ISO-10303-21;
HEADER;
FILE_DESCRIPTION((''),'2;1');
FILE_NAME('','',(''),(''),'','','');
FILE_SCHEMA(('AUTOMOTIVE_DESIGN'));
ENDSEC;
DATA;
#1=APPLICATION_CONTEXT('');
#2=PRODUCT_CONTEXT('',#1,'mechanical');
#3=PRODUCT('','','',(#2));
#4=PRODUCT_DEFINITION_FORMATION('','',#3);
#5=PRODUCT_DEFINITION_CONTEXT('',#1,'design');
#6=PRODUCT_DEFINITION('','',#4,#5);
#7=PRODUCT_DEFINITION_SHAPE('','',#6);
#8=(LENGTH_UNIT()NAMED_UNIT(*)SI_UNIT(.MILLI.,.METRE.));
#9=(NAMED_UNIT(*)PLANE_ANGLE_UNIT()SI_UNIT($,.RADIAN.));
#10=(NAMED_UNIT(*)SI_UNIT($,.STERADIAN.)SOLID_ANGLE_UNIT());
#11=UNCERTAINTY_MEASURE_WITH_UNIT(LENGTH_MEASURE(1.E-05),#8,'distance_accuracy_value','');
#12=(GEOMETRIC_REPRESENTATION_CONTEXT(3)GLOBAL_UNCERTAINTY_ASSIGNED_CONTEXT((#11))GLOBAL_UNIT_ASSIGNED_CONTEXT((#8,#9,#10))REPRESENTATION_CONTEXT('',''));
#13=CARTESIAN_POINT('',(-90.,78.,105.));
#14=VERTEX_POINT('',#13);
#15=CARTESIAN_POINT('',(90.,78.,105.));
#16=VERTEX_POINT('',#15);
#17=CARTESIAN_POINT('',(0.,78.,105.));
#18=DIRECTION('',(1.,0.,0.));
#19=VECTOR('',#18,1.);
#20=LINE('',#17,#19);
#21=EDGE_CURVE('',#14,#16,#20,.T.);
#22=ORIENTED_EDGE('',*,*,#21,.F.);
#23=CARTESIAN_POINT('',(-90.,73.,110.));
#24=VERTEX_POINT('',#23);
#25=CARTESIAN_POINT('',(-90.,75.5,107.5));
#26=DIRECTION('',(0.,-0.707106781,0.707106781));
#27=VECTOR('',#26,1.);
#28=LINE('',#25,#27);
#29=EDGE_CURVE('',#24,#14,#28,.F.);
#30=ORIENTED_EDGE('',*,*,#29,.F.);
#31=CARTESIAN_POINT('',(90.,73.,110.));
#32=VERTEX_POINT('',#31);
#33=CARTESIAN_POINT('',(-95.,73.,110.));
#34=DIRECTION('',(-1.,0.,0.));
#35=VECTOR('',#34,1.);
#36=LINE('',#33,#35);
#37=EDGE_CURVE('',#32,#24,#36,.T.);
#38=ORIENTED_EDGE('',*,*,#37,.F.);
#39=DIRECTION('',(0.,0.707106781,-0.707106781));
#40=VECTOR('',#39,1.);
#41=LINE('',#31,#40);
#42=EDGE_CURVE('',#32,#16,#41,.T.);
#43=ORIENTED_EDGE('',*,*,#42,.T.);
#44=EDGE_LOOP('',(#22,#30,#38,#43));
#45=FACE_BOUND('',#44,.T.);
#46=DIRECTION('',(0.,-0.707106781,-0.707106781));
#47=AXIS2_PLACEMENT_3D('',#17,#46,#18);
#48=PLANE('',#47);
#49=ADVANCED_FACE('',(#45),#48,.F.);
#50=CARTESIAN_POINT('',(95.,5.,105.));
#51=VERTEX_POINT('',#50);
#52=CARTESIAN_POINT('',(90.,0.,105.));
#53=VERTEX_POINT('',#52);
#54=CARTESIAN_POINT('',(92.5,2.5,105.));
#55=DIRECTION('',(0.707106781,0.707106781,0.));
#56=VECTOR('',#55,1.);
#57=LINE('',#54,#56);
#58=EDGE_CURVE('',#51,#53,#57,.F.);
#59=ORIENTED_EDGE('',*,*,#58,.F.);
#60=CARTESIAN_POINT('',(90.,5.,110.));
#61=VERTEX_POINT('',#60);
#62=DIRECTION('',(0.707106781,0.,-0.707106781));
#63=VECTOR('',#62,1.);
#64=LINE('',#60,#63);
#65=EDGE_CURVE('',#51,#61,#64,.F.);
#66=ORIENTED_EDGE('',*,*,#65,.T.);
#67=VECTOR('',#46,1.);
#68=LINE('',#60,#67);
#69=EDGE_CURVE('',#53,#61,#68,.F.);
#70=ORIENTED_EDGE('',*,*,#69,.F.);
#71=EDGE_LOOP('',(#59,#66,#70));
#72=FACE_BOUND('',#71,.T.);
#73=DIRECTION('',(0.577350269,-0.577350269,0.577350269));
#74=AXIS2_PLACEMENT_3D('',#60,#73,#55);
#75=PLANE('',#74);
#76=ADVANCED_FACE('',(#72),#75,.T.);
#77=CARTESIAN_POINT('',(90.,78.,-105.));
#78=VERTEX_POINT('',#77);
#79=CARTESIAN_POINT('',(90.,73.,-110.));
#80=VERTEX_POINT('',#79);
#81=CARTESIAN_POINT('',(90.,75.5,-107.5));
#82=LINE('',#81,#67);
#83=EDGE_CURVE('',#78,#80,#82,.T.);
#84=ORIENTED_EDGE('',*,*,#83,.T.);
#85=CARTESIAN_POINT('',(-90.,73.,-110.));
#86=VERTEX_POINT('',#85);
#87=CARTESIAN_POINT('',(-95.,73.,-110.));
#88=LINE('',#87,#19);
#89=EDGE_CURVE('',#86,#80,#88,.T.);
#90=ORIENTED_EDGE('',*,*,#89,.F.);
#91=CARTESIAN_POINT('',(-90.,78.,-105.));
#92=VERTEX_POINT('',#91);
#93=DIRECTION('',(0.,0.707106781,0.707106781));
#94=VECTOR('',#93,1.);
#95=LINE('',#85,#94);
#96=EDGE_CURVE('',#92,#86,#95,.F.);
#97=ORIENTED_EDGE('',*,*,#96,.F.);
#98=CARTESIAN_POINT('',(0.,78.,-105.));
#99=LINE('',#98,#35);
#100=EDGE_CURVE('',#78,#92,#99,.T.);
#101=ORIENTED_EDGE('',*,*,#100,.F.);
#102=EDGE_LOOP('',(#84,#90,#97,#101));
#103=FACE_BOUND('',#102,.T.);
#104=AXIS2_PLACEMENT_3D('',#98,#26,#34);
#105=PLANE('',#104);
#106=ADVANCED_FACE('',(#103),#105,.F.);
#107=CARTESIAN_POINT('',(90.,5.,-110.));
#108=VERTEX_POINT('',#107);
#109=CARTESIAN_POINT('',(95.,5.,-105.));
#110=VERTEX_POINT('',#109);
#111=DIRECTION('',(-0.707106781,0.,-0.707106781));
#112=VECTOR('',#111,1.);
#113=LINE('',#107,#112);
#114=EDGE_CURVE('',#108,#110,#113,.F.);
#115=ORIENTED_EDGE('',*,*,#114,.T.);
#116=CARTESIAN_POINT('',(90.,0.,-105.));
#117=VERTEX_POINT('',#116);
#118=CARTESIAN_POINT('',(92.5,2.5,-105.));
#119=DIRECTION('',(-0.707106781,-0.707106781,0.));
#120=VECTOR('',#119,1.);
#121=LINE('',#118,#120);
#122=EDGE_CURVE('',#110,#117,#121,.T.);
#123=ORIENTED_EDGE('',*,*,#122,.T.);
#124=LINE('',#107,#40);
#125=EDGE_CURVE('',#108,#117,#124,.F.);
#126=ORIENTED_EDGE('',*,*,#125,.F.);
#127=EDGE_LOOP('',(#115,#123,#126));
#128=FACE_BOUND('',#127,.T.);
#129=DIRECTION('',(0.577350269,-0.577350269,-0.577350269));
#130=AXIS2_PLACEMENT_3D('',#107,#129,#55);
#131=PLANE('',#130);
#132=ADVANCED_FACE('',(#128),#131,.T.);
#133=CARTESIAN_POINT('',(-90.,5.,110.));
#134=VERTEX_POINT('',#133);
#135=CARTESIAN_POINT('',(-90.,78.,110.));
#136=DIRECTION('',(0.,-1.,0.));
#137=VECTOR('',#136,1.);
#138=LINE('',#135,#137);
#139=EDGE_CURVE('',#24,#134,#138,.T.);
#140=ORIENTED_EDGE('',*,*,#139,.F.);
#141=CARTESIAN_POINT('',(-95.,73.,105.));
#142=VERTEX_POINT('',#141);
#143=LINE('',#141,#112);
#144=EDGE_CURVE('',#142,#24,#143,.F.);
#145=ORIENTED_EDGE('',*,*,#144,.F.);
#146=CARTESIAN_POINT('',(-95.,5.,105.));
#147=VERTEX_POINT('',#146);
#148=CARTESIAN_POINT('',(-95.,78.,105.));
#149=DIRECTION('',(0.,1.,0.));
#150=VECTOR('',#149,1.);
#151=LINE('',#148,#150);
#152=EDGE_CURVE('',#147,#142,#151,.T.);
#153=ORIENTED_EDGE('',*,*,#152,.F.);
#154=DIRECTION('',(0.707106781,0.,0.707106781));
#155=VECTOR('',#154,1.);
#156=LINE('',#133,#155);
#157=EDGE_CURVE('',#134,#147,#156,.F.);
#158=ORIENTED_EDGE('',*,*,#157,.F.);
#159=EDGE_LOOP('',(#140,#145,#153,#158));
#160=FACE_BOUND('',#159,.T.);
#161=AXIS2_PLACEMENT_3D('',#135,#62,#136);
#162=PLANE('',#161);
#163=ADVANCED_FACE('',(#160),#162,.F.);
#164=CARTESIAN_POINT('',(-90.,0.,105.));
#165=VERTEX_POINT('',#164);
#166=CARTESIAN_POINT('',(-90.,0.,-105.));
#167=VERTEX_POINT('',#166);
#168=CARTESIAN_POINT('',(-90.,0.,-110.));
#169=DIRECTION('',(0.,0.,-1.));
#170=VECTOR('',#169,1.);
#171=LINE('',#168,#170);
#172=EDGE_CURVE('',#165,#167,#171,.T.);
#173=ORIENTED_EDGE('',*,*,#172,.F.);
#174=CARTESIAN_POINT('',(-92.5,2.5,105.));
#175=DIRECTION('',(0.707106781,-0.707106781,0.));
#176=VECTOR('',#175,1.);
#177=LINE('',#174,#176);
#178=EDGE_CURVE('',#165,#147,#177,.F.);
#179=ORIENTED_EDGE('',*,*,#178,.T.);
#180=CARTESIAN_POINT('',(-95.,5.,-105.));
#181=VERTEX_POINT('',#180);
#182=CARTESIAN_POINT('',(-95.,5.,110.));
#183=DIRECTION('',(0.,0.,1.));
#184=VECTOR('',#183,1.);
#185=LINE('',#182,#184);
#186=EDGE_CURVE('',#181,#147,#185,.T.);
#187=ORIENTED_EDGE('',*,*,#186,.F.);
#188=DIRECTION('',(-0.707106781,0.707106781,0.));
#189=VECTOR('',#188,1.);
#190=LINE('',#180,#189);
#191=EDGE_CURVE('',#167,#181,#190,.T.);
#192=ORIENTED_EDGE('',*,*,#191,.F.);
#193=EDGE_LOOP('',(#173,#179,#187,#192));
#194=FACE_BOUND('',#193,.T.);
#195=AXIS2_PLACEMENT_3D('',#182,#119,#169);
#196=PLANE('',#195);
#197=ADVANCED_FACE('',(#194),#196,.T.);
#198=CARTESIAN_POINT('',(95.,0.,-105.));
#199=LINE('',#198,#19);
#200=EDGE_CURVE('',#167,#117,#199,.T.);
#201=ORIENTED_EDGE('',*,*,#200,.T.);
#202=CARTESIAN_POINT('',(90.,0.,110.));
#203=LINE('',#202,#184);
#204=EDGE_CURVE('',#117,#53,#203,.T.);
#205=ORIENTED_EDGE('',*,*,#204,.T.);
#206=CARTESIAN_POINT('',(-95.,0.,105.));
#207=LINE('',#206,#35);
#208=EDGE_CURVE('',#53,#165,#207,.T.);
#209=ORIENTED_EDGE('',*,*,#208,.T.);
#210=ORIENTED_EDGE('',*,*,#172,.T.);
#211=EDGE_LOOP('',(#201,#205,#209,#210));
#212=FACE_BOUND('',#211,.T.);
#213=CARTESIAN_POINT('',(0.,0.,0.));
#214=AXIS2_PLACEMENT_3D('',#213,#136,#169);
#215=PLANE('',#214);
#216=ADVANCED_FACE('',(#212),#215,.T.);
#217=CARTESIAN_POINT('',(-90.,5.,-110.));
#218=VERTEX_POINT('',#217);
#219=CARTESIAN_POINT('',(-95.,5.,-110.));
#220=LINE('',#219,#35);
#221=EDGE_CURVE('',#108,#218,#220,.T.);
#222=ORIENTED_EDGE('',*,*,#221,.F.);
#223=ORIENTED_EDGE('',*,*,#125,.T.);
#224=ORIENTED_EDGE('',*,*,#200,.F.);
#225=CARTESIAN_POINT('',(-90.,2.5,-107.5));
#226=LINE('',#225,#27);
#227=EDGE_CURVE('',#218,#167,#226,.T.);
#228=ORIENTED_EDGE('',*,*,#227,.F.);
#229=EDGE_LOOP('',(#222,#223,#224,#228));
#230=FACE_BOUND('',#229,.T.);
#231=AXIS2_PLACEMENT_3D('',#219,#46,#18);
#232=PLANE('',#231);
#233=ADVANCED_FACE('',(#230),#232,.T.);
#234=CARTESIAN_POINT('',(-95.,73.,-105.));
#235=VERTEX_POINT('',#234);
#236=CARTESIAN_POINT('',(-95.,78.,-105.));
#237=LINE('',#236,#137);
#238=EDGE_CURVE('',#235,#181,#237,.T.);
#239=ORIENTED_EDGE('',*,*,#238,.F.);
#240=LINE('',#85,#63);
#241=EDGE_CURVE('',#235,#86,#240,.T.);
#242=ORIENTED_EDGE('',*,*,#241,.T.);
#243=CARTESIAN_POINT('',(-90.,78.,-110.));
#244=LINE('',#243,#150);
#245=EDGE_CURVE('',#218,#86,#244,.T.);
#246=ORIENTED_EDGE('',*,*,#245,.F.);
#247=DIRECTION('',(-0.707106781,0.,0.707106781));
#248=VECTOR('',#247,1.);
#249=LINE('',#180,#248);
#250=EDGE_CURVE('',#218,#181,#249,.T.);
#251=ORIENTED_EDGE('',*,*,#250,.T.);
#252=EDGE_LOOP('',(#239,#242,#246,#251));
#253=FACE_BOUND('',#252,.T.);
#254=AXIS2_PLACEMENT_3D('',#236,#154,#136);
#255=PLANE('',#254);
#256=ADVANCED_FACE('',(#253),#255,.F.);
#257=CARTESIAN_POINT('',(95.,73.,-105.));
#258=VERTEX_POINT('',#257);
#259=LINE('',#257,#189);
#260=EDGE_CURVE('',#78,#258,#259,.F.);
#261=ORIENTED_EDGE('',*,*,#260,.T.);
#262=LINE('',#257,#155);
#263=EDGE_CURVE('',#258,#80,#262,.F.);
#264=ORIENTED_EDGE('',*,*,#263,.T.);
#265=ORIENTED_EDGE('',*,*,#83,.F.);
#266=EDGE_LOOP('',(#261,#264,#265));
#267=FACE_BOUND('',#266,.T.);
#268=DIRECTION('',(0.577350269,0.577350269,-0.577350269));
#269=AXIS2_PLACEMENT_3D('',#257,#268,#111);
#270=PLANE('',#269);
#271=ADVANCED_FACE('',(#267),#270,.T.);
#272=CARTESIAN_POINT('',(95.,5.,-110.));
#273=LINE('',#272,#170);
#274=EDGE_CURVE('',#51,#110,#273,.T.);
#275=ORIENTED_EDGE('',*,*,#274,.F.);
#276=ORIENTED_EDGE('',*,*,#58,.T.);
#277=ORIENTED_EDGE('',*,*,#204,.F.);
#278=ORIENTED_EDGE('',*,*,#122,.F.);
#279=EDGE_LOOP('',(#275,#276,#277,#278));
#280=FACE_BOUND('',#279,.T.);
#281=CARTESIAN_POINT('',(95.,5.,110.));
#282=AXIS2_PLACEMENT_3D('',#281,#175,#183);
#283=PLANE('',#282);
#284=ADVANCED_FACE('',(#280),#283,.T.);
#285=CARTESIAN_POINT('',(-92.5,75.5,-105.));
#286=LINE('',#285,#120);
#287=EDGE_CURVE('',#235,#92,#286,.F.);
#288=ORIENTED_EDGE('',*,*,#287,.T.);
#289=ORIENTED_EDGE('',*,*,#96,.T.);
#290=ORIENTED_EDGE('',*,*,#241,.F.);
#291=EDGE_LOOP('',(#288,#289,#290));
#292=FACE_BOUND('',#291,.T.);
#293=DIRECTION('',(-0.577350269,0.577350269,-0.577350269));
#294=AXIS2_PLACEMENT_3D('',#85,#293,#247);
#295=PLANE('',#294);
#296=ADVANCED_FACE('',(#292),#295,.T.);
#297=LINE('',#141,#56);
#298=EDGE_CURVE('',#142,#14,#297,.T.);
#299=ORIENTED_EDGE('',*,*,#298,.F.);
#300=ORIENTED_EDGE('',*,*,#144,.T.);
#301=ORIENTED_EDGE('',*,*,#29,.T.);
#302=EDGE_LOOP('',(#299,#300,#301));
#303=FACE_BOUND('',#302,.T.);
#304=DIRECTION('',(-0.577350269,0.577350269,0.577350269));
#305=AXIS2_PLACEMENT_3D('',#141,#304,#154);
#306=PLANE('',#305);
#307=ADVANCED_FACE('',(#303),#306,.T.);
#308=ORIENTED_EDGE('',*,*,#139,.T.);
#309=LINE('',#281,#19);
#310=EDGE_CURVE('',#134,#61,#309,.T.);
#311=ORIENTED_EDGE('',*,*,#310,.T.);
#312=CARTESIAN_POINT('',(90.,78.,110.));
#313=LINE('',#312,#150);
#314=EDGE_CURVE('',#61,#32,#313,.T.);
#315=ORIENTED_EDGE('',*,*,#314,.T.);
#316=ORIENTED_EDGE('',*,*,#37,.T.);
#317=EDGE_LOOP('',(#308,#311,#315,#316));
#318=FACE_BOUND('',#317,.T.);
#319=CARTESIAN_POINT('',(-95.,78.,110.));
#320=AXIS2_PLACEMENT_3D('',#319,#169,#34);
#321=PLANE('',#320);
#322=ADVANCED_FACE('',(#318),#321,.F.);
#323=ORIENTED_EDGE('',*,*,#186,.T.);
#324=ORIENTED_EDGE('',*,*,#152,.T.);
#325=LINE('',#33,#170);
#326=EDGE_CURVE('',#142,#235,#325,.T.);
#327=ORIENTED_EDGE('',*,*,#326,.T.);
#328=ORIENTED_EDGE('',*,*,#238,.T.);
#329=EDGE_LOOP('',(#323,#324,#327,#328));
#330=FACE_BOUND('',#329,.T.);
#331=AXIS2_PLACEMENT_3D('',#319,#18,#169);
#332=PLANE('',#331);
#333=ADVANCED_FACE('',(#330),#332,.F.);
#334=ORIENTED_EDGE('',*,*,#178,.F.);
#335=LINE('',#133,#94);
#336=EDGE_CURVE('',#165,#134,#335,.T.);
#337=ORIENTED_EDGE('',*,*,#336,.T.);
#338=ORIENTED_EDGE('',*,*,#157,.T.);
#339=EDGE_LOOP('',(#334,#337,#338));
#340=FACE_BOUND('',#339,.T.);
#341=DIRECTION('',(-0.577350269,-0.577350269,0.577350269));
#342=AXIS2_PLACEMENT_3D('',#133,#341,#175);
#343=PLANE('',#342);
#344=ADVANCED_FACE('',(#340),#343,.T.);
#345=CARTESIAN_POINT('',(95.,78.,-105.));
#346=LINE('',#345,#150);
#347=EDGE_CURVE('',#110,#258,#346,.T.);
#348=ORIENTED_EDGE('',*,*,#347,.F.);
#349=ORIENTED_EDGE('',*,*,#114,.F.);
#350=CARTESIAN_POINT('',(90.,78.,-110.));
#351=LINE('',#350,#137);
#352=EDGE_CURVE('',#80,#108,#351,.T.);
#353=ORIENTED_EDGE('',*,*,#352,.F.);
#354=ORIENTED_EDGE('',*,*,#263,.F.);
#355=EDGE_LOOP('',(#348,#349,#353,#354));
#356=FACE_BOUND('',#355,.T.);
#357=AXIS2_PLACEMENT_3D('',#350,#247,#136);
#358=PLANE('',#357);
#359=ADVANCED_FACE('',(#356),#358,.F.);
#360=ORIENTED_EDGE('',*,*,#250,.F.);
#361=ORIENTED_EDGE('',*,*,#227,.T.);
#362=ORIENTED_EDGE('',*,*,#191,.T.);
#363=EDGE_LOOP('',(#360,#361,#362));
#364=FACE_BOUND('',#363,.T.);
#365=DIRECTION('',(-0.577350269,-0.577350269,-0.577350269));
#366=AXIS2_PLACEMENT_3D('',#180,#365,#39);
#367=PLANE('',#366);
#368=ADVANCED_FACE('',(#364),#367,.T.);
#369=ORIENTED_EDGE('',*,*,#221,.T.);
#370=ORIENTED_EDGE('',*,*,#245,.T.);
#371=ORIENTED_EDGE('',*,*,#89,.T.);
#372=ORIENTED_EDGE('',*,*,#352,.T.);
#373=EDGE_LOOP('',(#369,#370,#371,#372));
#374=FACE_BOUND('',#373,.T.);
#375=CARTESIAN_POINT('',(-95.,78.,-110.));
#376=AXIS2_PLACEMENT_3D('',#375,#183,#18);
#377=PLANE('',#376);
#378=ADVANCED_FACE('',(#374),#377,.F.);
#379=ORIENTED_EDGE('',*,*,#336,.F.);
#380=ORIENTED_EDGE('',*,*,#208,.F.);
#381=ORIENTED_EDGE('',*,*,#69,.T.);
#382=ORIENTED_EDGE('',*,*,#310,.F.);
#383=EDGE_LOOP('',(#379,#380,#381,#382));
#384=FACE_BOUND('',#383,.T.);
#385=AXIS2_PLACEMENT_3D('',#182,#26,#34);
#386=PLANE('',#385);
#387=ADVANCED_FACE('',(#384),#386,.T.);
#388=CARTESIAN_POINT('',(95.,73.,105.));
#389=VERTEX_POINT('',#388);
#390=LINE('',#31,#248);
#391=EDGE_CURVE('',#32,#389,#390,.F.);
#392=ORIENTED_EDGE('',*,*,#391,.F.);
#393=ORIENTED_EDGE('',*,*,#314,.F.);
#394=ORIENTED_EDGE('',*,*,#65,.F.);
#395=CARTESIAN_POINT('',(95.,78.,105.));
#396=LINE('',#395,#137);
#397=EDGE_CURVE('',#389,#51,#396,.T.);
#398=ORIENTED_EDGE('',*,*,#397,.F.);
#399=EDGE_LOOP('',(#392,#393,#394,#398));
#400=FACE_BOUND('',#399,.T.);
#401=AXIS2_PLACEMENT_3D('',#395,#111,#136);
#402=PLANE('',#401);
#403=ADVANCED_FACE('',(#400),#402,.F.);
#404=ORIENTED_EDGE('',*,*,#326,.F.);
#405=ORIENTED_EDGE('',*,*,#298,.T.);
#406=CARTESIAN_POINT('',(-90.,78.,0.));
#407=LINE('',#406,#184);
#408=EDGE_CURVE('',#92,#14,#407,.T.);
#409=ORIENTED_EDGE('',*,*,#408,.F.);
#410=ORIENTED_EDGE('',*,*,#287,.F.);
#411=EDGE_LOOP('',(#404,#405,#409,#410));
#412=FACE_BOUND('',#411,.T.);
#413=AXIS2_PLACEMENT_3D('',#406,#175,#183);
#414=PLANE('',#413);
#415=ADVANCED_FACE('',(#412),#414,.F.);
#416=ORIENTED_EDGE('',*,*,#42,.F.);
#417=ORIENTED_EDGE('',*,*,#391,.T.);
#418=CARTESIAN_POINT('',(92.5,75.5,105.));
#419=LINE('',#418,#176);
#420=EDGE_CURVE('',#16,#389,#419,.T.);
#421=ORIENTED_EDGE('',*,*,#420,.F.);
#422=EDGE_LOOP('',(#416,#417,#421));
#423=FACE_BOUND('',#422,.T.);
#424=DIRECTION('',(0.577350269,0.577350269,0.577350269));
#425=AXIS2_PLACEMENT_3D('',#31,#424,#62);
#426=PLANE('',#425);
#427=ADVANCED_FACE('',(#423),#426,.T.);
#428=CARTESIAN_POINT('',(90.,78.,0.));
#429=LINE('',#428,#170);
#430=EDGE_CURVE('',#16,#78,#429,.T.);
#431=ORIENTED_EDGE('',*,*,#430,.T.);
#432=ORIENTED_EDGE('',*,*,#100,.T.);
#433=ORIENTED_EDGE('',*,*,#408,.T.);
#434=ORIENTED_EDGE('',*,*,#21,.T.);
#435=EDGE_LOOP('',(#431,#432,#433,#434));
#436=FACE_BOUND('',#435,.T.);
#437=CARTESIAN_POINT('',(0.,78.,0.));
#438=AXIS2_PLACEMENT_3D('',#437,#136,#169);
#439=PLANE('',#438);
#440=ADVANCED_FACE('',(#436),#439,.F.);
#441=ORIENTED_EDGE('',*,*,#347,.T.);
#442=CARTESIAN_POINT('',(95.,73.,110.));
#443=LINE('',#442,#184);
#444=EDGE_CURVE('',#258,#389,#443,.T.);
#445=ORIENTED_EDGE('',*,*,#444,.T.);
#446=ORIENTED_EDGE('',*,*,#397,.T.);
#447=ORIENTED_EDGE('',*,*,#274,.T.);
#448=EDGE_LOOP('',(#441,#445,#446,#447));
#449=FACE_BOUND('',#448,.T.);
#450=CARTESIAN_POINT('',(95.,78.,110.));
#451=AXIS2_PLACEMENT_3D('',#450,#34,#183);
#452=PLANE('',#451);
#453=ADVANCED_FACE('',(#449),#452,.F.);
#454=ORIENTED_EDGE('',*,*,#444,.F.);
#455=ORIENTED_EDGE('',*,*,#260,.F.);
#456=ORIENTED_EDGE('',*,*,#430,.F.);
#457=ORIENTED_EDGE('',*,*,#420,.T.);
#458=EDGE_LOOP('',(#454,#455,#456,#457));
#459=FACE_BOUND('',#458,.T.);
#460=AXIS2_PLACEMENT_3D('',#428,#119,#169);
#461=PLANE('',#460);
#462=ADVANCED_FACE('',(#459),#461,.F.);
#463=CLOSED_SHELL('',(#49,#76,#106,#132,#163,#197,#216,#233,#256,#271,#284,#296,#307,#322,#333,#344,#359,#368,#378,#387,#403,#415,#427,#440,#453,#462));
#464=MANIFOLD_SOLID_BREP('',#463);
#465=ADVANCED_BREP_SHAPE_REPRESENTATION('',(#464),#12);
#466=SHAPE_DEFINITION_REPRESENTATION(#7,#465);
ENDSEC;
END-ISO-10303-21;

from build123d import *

# Parameters (mm, degrees)
SKETCH_1_W      = 190
SKETCH_1_H      = 220
EXTRUDE_1_DEPTH = 78
CHAMFER_1_SIZE  = 5


with BuildPart() as part:
    # 草图1 → 凸台-拉伸1 (new body)
    with BuildSketch(Plane(origin=(0, 0, 0), x_dir=(1, 0, 0), z_dir=(0, 1, 0))):
        Rectangle(SKETCH_1_W, SKETCH_1_H)
    extrude(amount=EXTRUDE_1_DEPTH)

    # 倒角1
    chamfer_1_edges = [part.edges().sort_by_distance(p)[0] for p in [
        (-95, 78, 0),
        (0, 78, 110),
        (95, 78, 0),
        (0, 0, 110),
        (-95, 0, 0),
        (0, 0, -110),
        (95, 0, 0),
        (95, 39, 110),
        (-95, 39, 110),
        (-95, 39, -110),
        (95, 39, -110),
        (0, 78, -110),
    ]]
    chamfer(chamfer_1_edges, length=CHAMFER_1_SIZE)


solid = part.part
